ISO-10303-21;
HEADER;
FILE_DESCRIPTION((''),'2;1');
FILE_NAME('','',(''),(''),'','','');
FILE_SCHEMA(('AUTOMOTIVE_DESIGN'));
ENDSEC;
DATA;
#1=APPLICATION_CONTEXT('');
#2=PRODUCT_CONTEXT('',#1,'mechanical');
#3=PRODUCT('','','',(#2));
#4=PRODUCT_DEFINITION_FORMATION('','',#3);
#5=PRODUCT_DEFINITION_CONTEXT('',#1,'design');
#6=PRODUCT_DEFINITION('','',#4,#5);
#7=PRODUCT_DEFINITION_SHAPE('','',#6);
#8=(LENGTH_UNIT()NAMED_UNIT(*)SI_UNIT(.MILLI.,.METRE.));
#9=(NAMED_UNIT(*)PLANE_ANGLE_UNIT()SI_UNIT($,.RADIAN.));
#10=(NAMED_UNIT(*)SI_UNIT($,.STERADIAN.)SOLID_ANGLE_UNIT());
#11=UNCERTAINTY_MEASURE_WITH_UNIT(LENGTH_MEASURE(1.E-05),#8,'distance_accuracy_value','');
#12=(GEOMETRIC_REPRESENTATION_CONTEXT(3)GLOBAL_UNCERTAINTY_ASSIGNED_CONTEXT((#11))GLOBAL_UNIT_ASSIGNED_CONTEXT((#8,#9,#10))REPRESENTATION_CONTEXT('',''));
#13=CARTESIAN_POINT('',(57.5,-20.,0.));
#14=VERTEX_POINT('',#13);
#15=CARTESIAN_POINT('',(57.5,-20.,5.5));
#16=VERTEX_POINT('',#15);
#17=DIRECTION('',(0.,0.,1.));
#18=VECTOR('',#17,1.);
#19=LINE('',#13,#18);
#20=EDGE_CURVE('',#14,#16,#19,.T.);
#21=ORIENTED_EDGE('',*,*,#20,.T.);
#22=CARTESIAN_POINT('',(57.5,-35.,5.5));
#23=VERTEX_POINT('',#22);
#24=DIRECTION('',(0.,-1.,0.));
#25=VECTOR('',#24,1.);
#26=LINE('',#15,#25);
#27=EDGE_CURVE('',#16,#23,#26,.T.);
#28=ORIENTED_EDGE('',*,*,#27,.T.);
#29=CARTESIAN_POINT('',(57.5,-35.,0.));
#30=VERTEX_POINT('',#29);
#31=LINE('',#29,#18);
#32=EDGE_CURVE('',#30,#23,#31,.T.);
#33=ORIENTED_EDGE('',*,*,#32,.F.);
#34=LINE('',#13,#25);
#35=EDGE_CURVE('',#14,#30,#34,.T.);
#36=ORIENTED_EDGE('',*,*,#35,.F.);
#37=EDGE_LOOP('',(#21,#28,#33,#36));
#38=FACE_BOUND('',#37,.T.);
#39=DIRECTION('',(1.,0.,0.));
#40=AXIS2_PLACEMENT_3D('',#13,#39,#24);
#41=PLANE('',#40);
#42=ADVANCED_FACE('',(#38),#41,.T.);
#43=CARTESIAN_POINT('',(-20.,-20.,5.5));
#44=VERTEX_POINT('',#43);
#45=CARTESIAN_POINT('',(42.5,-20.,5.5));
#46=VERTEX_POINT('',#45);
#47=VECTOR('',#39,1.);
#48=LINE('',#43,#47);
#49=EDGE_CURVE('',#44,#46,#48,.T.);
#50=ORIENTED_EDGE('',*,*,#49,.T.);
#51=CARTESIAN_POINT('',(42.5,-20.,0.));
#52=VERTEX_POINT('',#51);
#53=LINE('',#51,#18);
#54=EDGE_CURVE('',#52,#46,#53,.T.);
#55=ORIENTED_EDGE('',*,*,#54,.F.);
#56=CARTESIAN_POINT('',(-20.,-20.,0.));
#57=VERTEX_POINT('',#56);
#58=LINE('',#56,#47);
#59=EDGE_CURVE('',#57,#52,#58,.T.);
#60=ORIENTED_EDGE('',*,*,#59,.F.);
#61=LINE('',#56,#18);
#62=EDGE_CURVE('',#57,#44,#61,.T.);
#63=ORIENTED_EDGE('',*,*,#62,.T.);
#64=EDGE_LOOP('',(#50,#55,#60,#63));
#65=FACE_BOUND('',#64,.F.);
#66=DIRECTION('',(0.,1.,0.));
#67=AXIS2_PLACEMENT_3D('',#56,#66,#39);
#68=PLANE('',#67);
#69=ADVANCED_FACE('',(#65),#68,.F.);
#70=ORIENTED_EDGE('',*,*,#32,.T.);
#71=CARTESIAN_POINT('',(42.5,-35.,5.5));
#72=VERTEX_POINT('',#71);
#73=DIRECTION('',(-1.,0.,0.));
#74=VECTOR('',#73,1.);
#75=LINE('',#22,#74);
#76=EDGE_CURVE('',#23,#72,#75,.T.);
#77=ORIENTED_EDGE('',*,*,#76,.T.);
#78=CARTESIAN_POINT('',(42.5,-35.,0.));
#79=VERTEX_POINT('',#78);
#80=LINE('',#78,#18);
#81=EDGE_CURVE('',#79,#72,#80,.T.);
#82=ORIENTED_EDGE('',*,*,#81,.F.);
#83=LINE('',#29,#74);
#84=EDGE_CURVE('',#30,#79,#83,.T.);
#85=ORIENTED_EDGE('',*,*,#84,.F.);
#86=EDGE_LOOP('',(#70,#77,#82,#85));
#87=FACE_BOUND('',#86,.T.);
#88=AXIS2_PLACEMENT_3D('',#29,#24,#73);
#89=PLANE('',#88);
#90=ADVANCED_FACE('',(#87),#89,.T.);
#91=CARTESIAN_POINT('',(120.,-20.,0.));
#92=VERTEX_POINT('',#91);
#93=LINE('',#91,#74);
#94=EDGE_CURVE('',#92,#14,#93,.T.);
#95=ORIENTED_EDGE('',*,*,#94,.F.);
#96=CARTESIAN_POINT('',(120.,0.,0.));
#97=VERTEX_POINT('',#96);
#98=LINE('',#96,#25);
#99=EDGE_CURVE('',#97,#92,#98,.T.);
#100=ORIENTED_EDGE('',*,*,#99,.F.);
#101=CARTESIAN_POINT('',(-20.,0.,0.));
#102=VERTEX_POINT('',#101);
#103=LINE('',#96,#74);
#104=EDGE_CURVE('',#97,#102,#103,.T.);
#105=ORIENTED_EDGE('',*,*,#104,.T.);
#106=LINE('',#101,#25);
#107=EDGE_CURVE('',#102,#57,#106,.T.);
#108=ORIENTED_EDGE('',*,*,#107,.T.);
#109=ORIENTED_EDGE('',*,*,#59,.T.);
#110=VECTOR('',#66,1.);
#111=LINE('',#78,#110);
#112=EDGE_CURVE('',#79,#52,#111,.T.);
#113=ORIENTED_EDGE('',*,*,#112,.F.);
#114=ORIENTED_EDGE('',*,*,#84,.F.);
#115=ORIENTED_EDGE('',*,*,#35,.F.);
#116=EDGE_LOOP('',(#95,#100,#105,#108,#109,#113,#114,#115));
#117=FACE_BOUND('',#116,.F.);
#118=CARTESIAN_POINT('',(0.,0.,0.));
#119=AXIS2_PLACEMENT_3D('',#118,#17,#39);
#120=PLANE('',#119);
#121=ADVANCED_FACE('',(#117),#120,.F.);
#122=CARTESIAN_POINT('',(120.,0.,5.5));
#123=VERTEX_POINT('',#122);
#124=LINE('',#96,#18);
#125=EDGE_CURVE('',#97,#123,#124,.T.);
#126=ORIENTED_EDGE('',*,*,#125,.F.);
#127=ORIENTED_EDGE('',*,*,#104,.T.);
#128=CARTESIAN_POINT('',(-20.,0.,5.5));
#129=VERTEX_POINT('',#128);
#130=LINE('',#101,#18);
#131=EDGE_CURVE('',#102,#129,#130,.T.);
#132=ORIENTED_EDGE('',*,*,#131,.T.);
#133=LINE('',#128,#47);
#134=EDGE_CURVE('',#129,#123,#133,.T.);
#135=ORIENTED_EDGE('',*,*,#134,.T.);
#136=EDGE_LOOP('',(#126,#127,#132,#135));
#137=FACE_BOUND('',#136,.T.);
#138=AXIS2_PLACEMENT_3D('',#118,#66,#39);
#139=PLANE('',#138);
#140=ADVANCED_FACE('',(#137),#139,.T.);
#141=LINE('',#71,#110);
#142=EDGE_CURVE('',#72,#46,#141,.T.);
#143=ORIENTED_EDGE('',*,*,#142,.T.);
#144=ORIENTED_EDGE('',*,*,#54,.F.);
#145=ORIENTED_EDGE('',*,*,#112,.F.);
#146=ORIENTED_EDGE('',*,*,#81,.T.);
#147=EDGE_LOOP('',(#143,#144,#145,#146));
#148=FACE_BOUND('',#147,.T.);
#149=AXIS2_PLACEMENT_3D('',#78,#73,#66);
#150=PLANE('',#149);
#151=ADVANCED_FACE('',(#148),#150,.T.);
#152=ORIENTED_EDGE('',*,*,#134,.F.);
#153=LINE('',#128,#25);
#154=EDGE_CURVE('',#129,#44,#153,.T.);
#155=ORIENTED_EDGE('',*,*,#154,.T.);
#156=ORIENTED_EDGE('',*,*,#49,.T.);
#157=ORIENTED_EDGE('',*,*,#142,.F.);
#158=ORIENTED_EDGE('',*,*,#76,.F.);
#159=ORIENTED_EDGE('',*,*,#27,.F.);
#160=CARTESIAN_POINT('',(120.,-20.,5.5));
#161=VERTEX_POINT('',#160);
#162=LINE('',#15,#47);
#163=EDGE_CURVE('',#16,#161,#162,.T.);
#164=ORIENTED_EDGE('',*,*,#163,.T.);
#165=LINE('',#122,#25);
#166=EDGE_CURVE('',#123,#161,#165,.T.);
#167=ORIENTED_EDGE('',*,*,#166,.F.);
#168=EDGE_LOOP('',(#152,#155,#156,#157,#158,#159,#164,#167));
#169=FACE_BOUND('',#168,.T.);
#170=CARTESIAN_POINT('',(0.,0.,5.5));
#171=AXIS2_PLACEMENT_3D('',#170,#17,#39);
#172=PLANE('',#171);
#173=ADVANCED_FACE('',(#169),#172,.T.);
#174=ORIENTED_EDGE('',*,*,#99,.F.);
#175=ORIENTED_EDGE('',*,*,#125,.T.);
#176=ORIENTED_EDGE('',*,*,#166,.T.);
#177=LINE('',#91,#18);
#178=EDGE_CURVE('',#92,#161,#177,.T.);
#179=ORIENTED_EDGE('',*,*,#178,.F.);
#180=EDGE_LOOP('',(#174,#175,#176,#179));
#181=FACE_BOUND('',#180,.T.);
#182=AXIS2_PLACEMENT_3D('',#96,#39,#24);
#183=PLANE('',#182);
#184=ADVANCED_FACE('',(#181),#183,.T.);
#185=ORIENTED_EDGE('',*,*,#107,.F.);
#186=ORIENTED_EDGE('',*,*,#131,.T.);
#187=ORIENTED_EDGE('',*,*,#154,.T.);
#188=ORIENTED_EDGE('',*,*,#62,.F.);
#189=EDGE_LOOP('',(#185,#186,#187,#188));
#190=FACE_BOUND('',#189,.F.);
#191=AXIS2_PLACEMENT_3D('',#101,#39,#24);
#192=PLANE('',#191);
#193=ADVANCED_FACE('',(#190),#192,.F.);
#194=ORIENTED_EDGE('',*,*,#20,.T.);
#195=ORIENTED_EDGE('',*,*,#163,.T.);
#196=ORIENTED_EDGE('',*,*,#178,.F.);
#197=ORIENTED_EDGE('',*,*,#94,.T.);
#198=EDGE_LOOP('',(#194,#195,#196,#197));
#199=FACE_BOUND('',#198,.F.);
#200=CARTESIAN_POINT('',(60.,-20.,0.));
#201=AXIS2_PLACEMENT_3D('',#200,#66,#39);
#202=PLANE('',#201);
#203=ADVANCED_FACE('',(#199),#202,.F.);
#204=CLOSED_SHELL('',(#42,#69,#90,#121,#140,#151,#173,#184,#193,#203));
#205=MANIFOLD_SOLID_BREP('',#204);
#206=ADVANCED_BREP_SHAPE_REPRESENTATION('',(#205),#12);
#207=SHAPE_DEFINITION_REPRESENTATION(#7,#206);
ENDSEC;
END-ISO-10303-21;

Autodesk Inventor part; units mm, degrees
ref_plane "YZ Plane" through (0, 0, 0) normal (1, 0, 0) x (0, 1, 0)
ref_plane "XZ Plane" through (0, 0, 0) normal (0, 1, 0) x (-1, 0, 0)
ref_plane "XY Plane" through (0, 0, 0) normal (0, 0, 1) x (1, 0, 0)
sketch "Sketch1" plane through (0, 0, 0) normal (0, 0, 1) x (1, 0, 0)
  line L0 (0, 0) -> (100, 0)
  line L1 (-20, -20) -> (120, -20)
  line L2 (49.5, -20) -> (59.5, -20)
  line L3 (45, -20) -> (60, -20)
  line L4 (42.5, -20) -> (57.5, -20)
  line L5 (57.5, -20) -> (57.5, -35)
  line L6 (57.5, -35) -> (42.5, -35)
  line L7 (42.5, -35) -> (42.5, -20)
  line L8 (0, 0) -> (-20, 0)
  line L9 (-20, 0) -> (-20, -20)
  line L10 (100, 0) -> (120, 0)
  line L11 (120, 0) -> (120, -20)
  dimension "d0" = 15
  dimension "d1" = 15
extrude "Extrusion1" add sketch "Sketch1" along normal blind 5.5
properties part number "anillo3"
